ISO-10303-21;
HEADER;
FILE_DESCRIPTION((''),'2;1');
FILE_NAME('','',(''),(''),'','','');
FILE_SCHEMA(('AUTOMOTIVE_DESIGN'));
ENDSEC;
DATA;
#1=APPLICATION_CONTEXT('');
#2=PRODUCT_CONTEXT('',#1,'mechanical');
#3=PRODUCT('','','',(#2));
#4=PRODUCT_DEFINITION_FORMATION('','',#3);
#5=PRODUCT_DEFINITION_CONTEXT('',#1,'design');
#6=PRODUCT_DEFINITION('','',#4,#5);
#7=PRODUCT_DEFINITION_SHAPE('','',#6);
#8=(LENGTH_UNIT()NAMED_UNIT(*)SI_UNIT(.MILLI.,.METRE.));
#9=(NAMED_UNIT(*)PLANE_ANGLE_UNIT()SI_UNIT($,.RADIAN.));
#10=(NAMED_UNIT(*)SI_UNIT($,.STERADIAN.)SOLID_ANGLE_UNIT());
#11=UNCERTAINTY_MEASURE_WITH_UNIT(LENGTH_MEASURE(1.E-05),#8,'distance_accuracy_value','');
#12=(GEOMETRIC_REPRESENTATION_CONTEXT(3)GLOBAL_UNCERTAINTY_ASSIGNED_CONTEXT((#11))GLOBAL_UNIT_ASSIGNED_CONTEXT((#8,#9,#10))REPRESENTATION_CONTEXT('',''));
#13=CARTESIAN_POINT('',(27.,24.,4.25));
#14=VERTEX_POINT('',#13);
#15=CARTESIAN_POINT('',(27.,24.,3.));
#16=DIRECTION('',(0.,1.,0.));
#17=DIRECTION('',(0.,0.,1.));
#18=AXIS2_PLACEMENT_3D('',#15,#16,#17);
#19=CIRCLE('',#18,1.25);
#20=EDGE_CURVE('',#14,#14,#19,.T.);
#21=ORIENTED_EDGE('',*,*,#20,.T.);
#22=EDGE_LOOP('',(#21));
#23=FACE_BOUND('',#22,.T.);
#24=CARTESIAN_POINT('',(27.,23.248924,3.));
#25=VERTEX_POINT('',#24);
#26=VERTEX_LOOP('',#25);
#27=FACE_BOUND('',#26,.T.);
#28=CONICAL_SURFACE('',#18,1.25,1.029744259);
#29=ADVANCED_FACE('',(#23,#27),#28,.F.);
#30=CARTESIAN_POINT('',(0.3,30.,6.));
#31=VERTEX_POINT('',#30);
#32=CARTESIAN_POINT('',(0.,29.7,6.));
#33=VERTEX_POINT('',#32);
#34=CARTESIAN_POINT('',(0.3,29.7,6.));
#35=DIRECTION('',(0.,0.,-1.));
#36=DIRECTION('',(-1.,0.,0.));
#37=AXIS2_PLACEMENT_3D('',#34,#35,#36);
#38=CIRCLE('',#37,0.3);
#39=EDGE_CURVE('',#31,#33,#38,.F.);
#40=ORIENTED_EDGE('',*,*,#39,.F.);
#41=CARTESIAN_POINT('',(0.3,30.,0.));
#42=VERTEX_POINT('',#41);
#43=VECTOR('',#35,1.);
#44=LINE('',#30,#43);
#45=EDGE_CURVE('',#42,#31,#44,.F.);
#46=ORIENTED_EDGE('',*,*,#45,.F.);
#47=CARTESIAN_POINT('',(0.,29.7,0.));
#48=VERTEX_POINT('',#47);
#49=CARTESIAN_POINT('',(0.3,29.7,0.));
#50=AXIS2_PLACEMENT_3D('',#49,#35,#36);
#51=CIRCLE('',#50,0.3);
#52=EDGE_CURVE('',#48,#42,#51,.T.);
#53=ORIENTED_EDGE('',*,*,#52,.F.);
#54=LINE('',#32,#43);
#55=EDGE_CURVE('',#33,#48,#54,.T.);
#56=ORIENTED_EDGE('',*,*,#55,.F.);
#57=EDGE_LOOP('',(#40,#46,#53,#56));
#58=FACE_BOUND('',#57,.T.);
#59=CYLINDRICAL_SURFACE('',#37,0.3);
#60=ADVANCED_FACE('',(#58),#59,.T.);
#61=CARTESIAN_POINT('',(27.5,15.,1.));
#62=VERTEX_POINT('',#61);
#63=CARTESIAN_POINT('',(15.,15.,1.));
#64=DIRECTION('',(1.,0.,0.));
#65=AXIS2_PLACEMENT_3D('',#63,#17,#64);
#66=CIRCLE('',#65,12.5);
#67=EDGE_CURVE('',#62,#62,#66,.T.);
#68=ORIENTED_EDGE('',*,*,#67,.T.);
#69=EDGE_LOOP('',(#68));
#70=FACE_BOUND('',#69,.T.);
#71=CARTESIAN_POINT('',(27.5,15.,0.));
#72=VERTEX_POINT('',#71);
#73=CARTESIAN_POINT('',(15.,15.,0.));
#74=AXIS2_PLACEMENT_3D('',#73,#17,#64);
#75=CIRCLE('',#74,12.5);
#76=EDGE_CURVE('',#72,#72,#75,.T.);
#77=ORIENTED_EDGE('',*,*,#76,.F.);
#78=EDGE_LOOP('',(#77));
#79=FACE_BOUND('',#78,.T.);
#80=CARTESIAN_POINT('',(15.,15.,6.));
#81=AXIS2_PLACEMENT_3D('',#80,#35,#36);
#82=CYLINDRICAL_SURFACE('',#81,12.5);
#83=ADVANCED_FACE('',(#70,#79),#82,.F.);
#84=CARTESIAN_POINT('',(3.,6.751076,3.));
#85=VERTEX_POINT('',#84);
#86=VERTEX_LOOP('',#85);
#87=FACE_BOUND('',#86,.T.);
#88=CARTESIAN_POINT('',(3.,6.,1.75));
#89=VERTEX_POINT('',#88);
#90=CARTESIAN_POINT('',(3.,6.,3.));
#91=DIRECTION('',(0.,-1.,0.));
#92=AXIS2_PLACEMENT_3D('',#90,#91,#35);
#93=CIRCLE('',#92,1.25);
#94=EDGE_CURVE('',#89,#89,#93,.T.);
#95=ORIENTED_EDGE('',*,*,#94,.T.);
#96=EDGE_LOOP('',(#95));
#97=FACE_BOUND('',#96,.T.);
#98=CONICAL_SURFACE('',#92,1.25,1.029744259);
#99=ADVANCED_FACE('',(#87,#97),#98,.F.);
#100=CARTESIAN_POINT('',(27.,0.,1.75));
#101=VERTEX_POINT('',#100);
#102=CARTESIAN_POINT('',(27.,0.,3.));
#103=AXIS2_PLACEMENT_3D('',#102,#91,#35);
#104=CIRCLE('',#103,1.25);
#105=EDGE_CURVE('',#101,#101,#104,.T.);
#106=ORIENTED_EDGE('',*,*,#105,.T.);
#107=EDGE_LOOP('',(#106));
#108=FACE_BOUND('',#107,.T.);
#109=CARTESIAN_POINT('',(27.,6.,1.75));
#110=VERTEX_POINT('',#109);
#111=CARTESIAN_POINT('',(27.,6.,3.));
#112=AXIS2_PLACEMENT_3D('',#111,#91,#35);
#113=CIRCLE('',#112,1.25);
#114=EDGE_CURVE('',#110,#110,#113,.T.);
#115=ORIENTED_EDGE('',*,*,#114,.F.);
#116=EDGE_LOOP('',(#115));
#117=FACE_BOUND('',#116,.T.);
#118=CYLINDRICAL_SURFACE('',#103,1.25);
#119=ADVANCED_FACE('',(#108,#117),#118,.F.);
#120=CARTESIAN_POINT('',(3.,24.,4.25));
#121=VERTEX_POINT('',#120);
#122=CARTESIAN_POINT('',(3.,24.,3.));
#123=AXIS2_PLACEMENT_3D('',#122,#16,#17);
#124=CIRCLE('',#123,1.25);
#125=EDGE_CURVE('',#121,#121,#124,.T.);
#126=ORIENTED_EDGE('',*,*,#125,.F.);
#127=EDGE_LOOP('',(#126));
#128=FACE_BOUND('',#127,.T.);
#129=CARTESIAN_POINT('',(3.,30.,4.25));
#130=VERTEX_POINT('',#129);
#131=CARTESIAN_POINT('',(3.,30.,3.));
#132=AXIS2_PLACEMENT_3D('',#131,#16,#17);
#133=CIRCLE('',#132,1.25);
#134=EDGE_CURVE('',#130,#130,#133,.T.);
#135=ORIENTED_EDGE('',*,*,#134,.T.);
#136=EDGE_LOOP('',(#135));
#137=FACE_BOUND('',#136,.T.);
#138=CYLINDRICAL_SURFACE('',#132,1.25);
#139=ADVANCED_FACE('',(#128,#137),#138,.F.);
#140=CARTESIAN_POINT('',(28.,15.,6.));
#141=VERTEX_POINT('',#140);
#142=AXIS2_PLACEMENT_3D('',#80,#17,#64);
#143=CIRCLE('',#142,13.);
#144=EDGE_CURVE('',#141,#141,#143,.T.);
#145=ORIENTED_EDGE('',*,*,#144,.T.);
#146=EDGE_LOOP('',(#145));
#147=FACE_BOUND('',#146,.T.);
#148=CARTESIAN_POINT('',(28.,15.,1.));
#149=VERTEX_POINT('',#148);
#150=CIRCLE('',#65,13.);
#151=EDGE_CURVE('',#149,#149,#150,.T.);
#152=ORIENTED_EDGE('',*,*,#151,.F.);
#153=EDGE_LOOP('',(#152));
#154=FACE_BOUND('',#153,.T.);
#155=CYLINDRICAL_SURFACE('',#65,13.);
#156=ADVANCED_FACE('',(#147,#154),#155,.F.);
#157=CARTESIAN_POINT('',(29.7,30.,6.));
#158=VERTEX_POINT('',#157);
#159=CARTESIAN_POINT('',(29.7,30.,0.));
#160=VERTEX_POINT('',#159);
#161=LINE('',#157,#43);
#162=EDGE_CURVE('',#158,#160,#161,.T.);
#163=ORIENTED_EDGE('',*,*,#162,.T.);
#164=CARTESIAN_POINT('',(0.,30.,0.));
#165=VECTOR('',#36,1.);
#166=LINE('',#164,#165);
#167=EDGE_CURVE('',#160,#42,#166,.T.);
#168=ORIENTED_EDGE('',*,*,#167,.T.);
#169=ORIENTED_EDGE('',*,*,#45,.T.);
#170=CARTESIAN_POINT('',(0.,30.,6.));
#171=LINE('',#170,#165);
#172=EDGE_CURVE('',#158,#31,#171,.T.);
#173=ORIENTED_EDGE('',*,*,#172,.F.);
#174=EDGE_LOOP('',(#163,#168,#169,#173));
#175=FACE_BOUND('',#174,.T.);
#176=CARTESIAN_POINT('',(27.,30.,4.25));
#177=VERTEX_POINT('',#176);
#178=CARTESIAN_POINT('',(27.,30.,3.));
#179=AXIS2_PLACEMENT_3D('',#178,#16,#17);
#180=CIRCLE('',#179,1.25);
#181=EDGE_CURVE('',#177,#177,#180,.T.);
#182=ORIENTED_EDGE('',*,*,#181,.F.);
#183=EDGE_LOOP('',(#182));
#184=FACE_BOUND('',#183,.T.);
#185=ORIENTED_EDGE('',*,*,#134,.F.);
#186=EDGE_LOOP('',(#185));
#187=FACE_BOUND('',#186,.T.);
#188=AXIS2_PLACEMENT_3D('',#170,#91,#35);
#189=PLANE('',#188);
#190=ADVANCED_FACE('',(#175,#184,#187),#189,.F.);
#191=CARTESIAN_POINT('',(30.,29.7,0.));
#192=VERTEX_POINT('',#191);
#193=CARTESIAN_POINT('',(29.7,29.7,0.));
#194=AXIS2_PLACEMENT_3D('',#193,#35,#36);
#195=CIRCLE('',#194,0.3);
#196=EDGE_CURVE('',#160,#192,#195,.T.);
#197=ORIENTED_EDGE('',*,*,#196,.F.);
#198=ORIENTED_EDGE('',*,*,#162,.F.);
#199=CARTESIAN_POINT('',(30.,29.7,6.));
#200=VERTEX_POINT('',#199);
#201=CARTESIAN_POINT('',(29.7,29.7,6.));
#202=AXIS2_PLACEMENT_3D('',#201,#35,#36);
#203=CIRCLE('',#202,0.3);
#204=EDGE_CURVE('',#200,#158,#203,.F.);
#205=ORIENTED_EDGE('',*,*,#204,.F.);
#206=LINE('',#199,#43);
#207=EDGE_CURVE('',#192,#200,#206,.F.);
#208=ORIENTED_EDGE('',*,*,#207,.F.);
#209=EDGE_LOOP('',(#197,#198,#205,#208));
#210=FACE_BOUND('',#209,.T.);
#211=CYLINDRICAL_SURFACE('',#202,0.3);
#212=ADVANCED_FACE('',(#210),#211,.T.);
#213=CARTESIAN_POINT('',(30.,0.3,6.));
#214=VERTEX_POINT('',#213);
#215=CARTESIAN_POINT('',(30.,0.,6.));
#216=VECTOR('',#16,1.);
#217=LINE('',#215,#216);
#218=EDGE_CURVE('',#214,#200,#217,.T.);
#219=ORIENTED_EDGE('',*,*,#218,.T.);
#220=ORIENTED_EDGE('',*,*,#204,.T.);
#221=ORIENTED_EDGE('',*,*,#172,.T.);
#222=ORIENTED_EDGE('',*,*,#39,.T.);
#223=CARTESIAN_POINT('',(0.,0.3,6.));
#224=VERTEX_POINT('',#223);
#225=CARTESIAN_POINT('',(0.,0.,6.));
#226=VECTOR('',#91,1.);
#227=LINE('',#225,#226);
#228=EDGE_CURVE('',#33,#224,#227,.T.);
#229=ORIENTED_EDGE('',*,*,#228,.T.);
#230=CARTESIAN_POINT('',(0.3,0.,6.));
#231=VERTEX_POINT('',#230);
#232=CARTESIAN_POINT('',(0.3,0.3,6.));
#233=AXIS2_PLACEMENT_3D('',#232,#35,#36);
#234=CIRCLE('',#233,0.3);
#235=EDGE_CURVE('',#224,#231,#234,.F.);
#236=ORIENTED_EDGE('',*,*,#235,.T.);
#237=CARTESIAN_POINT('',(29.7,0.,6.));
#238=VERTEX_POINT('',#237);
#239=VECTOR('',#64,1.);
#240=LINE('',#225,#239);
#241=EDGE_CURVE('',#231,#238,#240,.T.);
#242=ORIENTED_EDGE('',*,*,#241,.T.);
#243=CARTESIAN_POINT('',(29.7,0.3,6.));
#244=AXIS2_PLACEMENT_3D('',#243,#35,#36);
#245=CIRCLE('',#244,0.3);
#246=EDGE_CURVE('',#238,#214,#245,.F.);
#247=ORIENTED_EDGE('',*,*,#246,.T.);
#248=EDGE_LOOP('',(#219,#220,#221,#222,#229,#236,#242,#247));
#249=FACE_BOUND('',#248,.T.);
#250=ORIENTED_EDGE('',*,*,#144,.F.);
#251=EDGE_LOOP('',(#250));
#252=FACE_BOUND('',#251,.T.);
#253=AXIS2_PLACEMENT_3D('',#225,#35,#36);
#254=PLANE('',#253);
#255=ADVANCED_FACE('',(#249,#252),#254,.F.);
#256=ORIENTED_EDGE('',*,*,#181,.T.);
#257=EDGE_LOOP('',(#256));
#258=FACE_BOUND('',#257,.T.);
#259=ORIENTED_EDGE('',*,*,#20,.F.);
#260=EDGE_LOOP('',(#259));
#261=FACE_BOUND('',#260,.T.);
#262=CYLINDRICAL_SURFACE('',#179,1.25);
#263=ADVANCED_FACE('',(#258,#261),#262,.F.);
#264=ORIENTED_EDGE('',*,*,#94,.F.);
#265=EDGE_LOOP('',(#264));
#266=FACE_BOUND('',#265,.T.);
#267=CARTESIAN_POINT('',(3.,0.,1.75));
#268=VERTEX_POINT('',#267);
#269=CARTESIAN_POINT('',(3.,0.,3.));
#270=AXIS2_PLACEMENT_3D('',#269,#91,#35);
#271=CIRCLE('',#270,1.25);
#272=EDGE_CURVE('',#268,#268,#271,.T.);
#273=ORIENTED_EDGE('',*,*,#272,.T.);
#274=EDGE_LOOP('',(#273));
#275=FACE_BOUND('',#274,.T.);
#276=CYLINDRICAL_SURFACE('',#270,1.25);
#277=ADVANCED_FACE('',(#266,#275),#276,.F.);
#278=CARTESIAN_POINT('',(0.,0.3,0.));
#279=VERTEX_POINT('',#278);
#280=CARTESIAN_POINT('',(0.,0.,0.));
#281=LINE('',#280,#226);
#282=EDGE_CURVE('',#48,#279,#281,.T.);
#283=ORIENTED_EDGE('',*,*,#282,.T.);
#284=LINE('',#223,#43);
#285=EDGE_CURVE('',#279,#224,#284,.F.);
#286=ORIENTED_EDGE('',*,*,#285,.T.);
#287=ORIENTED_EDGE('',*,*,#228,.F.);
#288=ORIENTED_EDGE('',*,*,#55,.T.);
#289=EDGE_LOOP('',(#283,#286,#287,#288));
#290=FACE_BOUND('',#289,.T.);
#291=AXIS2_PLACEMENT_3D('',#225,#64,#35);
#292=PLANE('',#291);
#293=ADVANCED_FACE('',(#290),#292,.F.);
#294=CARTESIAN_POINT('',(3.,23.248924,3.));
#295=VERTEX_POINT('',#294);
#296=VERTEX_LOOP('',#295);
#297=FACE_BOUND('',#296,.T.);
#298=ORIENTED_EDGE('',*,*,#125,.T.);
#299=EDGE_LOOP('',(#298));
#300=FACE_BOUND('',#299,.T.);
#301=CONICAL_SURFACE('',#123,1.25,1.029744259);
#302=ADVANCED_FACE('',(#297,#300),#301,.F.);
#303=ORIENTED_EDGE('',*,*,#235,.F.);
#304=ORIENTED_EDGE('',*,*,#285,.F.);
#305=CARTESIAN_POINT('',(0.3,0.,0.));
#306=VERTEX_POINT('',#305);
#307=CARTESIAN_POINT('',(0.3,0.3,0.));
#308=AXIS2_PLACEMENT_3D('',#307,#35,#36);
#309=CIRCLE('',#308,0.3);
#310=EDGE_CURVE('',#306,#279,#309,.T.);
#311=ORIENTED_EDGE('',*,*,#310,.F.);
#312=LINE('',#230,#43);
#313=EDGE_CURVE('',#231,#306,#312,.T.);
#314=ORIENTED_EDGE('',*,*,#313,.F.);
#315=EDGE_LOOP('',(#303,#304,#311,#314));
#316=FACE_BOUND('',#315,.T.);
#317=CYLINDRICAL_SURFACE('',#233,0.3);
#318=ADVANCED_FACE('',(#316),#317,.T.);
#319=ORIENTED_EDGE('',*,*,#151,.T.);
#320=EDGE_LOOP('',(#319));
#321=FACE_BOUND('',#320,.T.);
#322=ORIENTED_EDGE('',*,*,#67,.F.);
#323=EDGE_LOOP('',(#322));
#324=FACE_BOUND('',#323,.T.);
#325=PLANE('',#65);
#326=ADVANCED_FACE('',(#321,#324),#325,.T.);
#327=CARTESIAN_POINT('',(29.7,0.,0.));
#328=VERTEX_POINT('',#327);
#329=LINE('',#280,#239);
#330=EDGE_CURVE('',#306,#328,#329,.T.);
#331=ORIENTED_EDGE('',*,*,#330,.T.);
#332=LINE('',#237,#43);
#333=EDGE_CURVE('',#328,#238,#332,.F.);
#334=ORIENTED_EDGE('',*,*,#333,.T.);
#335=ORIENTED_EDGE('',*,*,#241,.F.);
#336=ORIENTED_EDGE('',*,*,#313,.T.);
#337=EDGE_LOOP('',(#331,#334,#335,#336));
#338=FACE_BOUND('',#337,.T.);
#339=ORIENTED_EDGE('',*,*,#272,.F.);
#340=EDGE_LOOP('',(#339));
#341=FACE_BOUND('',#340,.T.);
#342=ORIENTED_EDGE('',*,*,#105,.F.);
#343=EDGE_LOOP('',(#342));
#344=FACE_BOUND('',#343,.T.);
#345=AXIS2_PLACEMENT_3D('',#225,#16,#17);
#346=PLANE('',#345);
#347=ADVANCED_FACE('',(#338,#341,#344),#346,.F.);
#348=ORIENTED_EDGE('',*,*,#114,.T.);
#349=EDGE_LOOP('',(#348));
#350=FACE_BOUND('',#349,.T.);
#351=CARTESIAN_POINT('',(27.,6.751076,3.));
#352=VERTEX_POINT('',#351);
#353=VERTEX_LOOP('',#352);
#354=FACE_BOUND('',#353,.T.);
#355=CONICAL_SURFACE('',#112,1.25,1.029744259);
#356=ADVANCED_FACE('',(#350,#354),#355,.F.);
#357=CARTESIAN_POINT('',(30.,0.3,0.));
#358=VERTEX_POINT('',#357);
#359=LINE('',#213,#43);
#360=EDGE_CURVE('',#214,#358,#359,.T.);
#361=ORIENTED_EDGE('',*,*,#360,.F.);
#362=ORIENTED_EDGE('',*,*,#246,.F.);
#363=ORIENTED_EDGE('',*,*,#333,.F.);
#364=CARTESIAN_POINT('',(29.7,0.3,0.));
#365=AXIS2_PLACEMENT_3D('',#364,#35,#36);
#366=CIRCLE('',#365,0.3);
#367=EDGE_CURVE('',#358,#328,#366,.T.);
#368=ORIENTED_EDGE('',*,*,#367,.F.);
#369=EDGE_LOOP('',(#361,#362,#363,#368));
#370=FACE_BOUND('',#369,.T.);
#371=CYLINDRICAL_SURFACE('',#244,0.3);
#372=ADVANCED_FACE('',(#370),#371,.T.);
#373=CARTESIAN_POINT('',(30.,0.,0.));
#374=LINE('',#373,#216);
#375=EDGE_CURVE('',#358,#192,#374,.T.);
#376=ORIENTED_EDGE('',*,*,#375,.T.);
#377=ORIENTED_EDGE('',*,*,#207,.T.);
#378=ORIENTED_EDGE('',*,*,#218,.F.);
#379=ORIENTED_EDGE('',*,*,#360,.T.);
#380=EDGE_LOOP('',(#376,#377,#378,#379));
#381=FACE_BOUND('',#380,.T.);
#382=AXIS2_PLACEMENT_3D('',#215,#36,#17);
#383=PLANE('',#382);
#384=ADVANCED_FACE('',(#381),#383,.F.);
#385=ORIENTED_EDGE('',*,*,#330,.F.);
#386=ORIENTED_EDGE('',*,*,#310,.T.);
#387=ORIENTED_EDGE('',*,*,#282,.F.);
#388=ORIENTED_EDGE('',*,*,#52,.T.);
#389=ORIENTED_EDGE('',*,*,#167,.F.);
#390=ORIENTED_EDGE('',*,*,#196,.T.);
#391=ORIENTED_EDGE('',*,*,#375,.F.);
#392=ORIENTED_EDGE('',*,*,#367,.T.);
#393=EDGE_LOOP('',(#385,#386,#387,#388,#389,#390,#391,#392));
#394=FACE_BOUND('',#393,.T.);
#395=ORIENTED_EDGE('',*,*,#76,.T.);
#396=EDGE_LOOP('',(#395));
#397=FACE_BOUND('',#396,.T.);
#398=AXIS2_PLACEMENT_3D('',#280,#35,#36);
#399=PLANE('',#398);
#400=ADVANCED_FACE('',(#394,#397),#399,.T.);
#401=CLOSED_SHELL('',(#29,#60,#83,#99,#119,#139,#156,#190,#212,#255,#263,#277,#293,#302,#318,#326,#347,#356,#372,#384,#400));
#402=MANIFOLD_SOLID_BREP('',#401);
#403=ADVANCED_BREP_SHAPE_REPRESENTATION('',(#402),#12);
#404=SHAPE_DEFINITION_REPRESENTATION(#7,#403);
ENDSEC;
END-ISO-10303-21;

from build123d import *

# Parameters (mm, degrees)
ESQUISSE1_W                                   = 30
ESQUISSE1_H                                   = 30
ESQUISSE1_R                                   = 12.5
BOSS_EXTRU_1_DEPTH                            = 6
ESQUISSE3_R                                   = 13
ENL_V_MAT_EXTRU_1_DEPTH                       = 5
TROU_POUR_TARAUDAGE_POUR_TROU_TARAUD_M3_D     = 2.5
TROU_POUR_TARAUDAGE_POUR_TROU_TARAUD_M3_DEPTH = 6
TROU_POUR_TARAUDAGE_POUR_TROU_TARAUD_M3_TIP   = 0.751075774
TROU_POUR_TARAUDAGE_POUR_TROU_TARAUD_2_D      = 2.5
TROU_POUR_TARAUDAGE_POUR_TROU_TARAUD_2_DEPTH  = 6
TROU_POUR_TARAUDAGE_POUR_TROU_TARAUD_2_TIP    = 0.751075774
CONG_1_R                                      = 0.3


with BuildPart() as part:
    # Esquisse1 → Boss.-Extru.1 (new body)
    with BuildSketch(Plane.XY):
        with Locations((15, 15)):
            Rectangle(ESQUISSE1_W, ESQUISSE1_H)
        with Locations((15, 15)):
            Circle(ESQUISSE1_R, mode=Mode.SUBTRACT)
    extrude(amount=BOSS_EXTRU_1_DEPTH)

    # Esquisse3 → Enlèv. mat.-Extru.1 (cut)
    with BuildSketch(Plane.XY.offset(6)):
        with Locations((15, 15)):
            Circle(ESQUISSE3_R)
    extrude(amount=-ENL_V_MAT_EXTRU_1_DEPTH, mode=Mode.SUBTRACT)

    # Trou pour taraudage pour trou taraud_ M3
    with Locations(Plane(origin=(0, 30, 0), x_dir=(1, 0, 0), z_dir=(0, 1, 0))):
        with Locations((3, -3), (27, -3)):
            Hole(TROU_POUR_TARAUDAGE_POUR_TROU_TARAUD_M3_D / 2, depth=TROU_POUR_TARAUDAGE_POUR_TROU_TARAUD_M3_DEPTH)
            with Locations((0, 0, -(TROU_POUR_TARAUDAGE_POUR_TROU_TARAUD_M3_DEPTH + TROU_POUR_TARAUDAGE_POUR_TROU_TARAUD_M3_TIP / 2))):  # 118° drill point
                Cone(0, TROU_POUR_TARAUDAGE_POUR_TROU_TARAUD_M3_D / 2, TROU_POUR_TARAUDAGE_POUR_TROU_TARAUD_M3_TIP, mode=Mode.SUBTRACT)

    # Trou pour taraudage pour trou taraud 2
    with Locations(Plane(origin=(0, 0, 0), x_dir=(-1, 0, 0), z_dir=(0, -1, 0))):
        with Locations((-3, -3), (-27, -3)):
            Hole(TROU_POUR_TARAUDAGE_POUR_TROU_TARAUD_2_D / 2, depth=TROU_POUR_TARAUDAGE_POUR_TROU_TARAUD_2_DEPTH)
            with Locations((0, 0, -(TROU_POUR_TARAUDAGE_POUR_TROU_TARAUD_2_DEPTH + TROU_POUR_TARAUDAGE_POUR_TROU_TARAUD_2_TIP / 2))):  # 118° drill point
                Cone(0, TROU_POUR_TARAUDAGE_POUR_TROU_TARAUD_2_D / 2, TROU_POUR_TARAUDAGE_POUR_TROU_TARAUD_2_TIP, mode=Mode.SUBTRACT)

    # Congé1
    cong_1_edges = [part.edges().sort_by_distance(p)[0] for p in [
        (0, 30, 3),
        (30, 30, 3),
        (30, 0, 3),
        (0, 0, 3),
    ]]
    fillet(cong_1_edges, radius=CONG_1_R)


solid = part.part
